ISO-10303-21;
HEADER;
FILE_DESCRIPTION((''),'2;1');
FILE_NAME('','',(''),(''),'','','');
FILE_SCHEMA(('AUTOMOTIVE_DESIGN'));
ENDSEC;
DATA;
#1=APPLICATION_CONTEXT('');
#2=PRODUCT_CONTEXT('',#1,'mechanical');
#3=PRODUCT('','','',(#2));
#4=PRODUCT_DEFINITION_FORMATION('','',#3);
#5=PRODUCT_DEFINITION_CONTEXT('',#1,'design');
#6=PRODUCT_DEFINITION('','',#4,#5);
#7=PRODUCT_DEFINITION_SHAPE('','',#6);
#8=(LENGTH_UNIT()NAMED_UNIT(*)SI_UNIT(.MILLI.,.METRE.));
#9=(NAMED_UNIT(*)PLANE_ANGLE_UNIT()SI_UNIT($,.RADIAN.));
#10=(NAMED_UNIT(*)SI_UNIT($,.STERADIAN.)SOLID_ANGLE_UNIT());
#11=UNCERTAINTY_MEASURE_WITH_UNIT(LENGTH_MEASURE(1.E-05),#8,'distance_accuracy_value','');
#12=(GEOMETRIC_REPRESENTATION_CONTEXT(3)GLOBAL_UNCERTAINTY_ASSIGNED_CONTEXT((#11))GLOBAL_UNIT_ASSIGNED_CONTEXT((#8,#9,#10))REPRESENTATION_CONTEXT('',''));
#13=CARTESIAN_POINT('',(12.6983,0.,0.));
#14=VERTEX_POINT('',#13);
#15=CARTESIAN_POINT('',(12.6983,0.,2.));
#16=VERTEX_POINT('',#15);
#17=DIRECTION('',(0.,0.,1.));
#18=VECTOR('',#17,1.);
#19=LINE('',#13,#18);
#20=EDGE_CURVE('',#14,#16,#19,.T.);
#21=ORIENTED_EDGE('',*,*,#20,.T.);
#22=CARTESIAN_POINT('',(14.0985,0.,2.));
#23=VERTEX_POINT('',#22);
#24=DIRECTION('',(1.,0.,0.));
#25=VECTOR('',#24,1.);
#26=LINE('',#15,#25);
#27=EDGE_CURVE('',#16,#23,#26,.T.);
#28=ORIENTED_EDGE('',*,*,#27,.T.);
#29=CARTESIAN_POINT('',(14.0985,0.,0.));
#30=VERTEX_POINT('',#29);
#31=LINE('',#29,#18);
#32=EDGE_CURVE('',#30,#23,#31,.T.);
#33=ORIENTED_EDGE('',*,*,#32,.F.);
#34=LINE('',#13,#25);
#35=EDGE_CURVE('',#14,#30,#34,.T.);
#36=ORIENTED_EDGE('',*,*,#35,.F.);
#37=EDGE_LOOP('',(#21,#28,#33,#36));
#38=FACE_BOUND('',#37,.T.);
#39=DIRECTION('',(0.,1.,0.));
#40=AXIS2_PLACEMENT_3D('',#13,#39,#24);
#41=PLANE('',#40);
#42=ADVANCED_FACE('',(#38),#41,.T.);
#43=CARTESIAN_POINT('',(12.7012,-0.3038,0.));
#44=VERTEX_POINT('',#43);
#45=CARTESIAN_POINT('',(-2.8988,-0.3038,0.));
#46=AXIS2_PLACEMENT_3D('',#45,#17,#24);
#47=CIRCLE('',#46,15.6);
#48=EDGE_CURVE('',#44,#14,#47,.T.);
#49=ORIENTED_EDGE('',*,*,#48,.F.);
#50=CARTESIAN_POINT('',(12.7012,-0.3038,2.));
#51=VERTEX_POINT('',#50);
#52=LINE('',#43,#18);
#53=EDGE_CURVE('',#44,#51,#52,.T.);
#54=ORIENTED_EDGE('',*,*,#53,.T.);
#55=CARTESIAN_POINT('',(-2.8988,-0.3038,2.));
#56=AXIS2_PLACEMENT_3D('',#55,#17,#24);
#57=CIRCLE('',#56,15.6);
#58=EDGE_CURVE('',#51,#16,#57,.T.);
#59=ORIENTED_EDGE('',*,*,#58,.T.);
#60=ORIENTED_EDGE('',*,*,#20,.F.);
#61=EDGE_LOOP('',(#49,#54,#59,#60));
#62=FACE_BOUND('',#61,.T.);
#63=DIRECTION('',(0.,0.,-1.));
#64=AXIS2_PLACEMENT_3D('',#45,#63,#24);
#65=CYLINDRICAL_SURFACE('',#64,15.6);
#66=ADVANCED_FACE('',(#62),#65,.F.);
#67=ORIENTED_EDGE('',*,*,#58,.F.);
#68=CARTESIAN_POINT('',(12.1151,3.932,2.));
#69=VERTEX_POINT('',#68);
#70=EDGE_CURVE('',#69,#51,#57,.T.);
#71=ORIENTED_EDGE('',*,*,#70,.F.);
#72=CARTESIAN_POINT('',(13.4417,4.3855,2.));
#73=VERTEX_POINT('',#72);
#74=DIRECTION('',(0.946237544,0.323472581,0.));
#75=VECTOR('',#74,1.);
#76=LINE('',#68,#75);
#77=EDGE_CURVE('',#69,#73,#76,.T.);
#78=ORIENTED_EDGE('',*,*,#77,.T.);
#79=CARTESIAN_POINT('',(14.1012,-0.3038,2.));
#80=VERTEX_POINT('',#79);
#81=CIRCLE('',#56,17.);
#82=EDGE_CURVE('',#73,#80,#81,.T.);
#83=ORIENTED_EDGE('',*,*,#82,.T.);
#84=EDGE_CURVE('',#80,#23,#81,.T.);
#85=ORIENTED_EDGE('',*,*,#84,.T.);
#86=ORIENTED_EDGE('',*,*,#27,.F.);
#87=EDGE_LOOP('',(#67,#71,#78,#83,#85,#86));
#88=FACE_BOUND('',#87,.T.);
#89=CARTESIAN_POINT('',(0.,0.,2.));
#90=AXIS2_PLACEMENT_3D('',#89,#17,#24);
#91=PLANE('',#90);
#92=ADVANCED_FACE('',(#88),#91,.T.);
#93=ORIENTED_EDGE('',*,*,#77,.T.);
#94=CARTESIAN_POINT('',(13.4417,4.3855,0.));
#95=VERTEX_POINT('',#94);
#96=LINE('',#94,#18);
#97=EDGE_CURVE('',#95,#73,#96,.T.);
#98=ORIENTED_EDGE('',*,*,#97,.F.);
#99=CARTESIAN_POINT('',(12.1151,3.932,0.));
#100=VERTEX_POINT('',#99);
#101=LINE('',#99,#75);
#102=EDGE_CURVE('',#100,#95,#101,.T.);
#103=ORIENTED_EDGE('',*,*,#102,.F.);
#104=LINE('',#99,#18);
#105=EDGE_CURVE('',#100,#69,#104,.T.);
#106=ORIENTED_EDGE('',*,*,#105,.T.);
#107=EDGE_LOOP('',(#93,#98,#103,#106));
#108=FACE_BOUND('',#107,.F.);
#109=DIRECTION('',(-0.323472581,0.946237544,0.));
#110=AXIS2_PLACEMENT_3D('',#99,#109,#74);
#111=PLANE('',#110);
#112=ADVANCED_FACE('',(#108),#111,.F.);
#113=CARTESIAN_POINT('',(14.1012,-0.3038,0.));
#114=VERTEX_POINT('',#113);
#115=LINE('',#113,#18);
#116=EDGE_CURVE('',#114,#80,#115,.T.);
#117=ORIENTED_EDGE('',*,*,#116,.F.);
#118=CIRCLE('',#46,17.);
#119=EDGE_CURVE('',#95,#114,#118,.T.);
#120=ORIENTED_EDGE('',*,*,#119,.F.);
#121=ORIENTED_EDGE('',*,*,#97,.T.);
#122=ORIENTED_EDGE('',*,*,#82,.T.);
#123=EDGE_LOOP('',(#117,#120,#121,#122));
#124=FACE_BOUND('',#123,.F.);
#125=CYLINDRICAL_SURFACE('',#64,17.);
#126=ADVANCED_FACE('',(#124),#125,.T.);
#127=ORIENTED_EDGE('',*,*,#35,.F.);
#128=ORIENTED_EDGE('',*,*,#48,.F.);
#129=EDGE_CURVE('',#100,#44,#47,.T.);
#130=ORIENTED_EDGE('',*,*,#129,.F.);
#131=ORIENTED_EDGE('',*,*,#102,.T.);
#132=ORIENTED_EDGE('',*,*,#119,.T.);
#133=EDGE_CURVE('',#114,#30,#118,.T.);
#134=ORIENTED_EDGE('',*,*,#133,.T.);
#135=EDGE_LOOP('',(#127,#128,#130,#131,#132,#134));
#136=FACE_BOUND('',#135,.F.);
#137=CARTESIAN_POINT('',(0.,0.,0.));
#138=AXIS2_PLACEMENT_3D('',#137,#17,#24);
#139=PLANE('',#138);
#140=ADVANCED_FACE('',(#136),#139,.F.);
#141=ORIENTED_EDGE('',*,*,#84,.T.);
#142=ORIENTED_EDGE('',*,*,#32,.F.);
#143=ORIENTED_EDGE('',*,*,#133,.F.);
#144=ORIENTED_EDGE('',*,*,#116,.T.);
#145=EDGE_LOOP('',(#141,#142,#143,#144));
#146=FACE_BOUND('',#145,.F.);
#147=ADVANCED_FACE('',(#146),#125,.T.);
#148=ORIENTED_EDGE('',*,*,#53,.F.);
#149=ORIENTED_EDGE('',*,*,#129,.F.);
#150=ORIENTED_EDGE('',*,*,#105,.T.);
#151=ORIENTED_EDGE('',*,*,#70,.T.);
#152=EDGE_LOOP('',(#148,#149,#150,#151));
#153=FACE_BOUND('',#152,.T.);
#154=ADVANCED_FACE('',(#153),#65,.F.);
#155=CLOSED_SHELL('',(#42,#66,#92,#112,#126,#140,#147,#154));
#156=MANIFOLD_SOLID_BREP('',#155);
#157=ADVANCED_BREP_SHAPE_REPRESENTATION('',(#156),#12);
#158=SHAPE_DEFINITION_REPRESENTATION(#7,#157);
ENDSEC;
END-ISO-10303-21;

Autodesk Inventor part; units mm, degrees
ref_plane "YZ Plane" through (0, 0, 0) normal (1, 0, 0) x (0, 1, 0)
ref_plane "XZ Plane" through (0, 0, 0) normal (0, 1, 0) x (-1, 0, 0)
ref_plane "XY Plane" through (0, 0, 0) normal (0, 0, 1) x (1, 0, 0)
ref_plane "Work Plane1" through (0, 0, 0) normal (0, 0, 1) x (1, 0, 0)
sketch "Sketch1" plane through (0, 0, 0) normal (0, 0, 1) x (1, 0, 0)
  circle A0 centre (-2.8988, -0.3038) radius 16.3 construction
  circle A1 centre (-2.8988, -0.3038) radius 15.6
  circle A2 centre (-2.8988, -0.3038) radius 17
  line L0 (12.6983, 0) -> (14.0985, 0)
  line L1 (12.1151, 3.932) -> (13.4417, 4.3855)
  point P0 (0, 0)
  dimension "d0" = 0.7
  dimension "d1" = 0.7
  dimension "d4" = 34
extrude "Extrusion1" add sketch "Sketch1" along normal blind 2 contours A1 L0 A2 L1 picked at (13.4719, -1.6516)
properties part number "11_Lens_Thorlabs_Mount_Ring_B"
